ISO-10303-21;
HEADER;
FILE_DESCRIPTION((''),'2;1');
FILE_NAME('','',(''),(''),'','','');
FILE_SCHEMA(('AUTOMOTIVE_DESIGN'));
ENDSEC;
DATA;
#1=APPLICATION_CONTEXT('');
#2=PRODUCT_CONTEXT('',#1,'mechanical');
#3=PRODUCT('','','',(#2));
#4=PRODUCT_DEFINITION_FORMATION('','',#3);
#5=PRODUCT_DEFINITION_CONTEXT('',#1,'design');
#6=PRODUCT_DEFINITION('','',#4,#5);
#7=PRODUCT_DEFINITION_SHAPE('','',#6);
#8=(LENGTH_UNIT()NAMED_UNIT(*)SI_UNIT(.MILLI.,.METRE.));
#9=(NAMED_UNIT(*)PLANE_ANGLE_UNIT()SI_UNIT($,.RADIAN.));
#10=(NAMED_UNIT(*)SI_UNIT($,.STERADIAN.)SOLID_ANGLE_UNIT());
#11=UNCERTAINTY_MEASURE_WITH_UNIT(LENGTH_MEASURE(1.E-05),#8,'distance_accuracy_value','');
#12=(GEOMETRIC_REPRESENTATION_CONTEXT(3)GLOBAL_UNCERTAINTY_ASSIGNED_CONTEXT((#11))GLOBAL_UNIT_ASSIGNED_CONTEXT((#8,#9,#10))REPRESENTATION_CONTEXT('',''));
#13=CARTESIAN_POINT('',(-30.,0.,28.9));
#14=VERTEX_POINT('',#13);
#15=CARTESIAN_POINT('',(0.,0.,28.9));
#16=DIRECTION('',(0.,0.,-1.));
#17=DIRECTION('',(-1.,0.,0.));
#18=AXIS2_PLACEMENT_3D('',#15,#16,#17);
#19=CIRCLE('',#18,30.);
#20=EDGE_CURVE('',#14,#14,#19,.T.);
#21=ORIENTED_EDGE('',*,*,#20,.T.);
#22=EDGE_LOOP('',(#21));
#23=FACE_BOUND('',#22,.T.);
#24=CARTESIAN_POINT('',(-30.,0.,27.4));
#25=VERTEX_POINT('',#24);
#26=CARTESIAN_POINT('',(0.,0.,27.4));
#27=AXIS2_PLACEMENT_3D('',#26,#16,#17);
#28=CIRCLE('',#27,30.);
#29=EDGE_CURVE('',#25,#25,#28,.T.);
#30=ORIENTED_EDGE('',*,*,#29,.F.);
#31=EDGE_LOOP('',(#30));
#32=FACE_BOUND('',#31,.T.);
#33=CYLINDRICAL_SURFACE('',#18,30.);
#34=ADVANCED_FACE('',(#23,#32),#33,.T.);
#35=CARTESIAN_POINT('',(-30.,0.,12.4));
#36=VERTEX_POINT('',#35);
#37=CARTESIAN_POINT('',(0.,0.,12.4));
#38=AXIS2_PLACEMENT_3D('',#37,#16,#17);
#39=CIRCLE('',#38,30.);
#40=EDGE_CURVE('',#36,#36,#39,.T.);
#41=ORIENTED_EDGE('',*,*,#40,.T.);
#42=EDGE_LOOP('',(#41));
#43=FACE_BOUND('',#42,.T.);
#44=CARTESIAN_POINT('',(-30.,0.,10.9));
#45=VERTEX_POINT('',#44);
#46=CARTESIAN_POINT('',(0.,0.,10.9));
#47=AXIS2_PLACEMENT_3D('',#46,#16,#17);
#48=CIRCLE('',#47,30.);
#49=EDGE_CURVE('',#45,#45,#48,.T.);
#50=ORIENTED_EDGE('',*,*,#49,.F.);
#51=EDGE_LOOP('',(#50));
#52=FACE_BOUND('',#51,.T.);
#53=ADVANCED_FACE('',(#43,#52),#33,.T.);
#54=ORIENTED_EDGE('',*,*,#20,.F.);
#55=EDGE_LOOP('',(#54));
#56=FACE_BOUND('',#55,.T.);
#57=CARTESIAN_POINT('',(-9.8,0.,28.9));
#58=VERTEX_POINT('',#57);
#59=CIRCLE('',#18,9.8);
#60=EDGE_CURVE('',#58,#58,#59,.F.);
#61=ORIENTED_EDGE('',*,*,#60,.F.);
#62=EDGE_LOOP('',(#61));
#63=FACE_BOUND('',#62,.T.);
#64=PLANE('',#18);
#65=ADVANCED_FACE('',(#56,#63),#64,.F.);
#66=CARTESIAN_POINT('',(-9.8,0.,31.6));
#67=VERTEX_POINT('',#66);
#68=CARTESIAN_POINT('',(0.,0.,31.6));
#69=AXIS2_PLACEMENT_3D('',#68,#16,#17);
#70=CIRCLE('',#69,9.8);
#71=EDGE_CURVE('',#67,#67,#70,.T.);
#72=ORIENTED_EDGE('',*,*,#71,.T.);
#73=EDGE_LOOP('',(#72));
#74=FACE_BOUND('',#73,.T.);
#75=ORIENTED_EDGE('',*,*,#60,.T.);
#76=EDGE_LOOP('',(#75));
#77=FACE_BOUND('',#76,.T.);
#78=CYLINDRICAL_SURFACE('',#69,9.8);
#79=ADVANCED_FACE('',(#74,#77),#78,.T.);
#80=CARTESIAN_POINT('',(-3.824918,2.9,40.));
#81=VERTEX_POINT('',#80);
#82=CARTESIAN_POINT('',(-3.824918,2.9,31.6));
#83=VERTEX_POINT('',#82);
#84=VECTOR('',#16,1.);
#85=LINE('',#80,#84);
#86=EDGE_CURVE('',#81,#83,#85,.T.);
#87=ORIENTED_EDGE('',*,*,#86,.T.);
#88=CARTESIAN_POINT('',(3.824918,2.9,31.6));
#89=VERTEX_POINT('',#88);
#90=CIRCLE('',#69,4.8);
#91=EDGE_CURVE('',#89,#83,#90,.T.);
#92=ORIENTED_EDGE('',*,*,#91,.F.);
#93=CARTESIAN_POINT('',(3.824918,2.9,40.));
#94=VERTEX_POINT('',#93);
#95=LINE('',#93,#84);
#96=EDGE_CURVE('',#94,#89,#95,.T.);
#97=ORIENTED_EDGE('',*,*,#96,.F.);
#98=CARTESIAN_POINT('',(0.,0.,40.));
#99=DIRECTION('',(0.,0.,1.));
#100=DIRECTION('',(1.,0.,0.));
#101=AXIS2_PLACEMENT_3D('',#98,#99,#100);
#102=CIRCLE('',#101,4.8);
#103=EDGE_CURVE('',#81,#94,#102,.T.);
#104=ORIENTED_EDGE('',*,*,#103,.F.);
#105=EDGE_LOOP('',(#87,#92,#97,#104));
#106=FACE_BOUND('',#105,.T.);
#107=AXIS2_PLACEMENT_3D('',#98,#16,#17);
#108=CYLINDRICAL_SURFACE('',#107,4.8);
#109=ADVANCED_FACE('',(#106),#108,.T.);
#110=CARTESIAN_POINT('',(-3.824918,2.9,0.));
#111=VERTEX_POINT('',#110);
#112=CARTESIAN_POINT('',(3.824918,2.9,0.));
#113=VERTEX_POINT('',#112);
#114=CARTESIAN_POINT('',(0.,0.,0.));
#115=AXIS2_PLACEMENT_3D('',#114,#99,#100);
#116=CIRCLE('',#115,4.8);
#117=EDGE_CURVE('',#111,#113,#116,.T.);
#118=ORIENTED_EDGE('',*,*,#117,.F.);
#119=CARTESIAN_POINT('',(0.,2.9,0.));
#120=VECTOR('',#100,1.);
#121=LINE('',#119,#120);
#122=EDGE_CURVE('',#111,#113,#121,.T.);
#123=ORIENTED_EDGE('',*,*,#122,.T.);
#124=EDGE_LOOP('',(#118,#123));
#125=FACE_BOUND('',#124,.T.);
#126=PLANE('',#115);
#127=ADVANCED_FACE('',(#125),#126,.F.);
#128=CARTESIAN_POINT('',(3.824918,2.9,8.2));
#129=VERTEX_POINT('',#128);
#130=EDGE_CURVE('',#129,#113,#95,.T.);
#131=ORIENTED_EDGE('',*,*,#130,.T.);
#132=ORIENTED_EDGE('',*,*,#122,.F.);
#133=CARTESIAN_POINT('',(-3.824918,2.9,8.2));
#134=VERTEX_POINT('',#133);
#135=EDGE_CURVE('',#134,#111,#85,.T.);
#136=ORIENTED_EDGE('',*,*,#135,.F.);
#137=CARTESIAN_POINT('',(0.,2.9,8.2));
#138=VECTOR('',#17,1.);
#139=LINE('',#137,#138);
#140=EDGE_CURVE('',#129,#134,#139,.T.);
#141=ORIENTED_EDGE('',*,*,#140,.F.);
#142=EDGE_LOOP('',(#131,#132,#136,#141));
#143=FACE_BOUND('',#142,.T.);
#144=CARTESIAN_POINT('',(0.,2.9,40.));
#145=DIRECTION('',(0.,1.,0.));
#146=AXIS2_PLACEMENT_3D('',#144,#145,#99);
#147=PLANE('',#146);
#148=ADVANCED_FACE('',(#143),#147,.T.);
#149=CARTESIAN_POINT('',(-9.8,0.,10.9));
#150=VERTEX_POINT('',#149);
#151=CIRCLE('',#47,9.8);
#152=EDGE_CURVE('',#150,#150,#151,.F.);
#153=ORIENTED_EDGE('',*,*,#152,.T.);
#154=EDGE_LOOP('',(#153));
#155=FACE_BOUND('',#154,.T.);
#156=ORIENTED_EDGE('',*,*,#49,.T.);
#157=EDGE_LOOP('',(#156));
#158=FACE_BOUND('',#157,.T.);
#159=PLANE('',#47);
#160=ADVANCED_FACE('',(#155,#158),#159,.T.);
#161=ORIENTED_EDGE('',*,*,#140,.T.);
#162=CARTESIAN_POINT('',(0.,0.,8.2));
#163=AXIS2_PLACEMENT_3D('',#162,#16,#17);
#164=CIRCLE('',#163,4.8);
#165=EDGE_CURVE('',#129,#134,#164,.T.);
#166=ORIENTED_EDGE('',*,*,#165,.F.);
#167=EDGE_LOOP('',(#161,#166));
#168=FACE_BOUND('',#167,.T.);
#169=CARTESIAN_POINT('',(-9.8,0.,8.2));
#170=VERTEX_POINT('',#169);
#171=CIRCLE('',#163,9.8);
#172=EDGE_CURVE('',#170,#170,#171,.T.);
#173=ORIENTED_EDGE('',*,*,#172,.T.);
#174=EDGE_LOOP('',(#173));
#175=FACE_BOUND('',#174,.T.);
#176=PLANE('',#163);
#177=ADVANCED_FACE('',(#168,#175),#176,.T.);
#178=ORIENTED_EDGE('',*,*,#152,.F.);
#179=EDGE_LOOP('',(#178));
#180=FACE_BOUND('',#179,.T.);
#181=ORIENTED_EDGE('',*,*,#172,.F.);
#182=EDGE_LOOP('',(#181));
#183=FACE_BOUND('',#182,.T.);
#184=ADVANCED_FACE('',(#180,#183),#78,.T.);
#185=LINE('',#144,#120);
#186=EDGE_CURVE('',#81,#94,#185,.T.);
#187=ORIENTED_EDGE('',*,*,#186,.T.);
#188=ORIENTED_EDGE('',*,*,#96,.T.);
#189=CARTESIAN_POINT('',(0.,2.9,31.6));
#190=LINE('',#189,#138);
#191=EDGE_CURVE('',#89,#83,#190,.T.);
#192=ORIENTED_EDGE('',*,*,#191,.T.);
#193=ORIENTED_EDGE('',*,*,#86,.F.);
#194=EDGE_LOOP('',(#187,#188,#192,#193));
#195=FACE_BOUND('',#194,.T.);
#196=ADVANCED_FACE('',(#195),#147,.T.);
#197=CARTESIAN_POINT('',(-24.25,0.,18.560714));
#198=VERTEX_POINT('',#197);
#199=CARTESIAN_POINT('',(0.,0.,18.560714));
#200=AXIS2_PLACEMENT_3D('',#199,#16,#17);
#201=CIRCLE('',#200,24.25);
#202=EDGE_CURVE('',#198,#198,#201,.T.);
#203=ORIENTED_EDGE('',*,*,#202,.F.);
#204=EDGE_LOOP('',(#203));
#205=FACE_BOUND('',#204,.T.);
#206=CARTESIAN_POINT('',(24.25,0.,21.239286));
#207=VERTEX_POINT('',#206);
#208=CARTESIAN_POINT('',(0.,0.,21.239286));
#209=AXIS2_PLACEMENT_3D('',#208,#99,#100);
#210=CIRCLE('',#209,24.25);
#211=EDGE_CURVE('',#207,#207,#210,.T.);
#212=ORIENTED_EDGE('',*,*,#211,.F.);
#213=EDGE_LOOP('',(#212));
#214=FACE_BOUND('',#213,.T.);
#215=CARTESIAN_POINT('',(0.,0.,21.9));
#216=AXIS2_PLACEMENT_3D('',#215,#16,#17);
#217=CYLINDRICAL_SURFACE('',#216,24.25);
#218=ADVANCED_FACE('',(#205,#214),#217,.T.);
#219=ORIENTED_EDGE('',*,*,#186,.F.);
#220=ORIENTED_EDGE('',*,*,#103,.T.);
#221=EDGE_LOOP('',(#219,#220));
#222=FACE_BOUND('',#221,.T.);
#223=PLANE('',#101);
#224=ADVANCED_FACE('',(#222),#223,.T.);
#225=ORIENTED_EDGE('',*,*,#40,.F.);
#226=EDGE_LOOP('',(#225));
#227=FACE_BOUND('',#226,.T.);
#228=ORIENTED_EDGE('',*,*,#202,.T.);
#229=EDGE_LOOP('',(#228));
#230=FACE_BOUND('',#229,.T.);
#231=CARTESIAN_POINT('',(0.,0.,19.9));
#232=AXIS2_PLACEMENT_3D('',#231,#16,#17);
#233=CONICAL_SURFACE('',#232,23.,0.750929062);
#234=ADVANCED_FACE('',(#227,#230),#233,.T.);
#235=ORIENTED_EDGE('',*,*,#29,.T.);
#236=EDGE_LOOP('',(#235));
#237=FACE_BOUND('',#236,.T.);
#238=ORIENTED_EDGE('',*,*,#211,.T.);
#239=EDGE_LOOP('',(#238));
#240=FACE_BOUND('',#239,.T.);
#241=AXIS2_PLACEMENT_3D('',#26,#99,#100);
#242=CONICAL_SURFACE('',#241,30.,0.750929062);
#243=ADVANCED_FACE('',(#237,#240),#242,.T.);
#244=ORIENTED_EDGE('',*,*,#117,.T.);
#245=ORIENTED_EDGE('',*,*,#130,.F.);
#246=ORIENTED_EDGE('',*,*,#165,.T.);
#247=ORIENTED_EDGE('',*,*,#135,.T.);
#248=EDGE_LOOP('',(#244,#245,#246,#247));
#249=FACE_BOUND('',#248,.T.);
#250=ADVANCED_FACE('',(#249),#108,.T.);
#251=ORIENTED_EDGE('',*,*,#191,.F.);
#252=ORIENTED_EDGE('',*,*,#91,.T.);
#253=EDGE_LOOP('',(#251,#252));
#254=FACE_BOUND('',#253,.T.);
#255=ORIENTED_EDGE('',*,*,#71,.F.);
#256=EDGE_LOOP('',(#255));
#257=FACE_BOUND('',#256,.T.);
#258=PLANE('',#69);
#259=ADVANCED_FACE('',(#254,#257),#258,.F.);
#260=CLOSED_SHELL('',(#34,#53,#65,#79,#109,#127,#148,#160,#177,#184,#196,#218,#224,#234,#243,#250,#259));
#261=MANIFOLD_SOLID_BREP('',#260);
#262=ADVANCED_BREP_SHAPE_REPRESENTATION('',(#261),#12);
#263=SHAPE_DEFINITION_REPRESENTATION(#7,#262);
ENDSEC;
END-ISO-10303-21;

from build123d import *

# Parameters (mm, degrees)
EXTRUDE_1_DEPTH      = 40
SKETCH_2_R           = 9.8
EXTRUDE_2_DEPTH      = 23.4
EXTRUDE_3_DEPTH      = 9
EXTRUDE_3_DEPTH_BACK = 9
SKETCH_3_R           = 30
EXTRUDE_4_DEPTH      = 2
EXTRUDE_4_DEPTH_BACK = 2
SKETCH_5_R           = 24.25


with BuildPart() as part:
    # 스케치1 → 보스-돌출1 (new body)
    with BuildSketch(Plane.XY):
        with BuildLine():
            Line((3.8249183, 2.9), (-3.8249183, 2.9))
            ThreePointArc((-3.8249183, 2.9), (-1.529769944, -4.549703718), (4.8, 0))
            ThreePointArc((4.8, 0), (4.549703718, 1.529769944), (3.8249183, 2.9))
        make_face()
    extrude(amount=EXTRUDE_1_DEPTH)

    # 스케치2 → 보스-돌출2 (add)
    with BuildSketch(Plane(origin=(0, 0, 8.2), x_dir=(-1, 0, 0), z_dir=(0, 0, -1))):
        Circle(SKETCH_2_R)
    extrude(amount=-EXTRUDE_2_DEPTH)

    # 스케치3 → 보스-돌출3 (add, two sides: drawn at the far end of the back side and taken through both)
    with BuildSketch(Plane(origin=(0, 0, 19.9), x_dir=(-1, 0, 0), z_dir=(0, 0, -1)).offset(-EXTRUDE_3_DEPTH_BACK)):
        Circle(SKETCH_3_R)
    extrude(amount=EXTRUDE_3_DEPTH + EXTRUDE_3_DEPTH_BACK)

    # 스케치4 → 컷-회전1 (revolve, cut)
    with BuildSketch(Plane(origin=(0, 0, 0), x_dir=(0, 0, -1), z_dir=(1, 0, 0)), mode=Mode.PRIVATE) as cut_revolve_1_sk:
        Polygon((-19.9, 23), (-12.4, 30), (-27.4, 30), align=None)
    revolve(cut_revolve_1_sk.sketch.rotate(Axis((0, 0, -4.267978706), (0, 0, 1)), 90), axis=Axis((0, 0, -4.267978706), (0, 0, 1)), mode=Mode.SUBTRACT)

    # 스케치5 → 보스-돌출4 (add, two sides: drawn at the far end of the back side and taken through both)
    with BuildSketch(Plane(origin=(0, 0, 19.9), x_dir=(-1, 0, 0), z_dir=(0, 0, -1)).offset(-EXTRUDE_4_DEPTH_BACK)):
        Circle(SKETCH_5_R)
    extrude(amount=EXTRUDE_4_DEPTH + EXTRUDE_4_DEPTH_BACK)


solid = part.part
